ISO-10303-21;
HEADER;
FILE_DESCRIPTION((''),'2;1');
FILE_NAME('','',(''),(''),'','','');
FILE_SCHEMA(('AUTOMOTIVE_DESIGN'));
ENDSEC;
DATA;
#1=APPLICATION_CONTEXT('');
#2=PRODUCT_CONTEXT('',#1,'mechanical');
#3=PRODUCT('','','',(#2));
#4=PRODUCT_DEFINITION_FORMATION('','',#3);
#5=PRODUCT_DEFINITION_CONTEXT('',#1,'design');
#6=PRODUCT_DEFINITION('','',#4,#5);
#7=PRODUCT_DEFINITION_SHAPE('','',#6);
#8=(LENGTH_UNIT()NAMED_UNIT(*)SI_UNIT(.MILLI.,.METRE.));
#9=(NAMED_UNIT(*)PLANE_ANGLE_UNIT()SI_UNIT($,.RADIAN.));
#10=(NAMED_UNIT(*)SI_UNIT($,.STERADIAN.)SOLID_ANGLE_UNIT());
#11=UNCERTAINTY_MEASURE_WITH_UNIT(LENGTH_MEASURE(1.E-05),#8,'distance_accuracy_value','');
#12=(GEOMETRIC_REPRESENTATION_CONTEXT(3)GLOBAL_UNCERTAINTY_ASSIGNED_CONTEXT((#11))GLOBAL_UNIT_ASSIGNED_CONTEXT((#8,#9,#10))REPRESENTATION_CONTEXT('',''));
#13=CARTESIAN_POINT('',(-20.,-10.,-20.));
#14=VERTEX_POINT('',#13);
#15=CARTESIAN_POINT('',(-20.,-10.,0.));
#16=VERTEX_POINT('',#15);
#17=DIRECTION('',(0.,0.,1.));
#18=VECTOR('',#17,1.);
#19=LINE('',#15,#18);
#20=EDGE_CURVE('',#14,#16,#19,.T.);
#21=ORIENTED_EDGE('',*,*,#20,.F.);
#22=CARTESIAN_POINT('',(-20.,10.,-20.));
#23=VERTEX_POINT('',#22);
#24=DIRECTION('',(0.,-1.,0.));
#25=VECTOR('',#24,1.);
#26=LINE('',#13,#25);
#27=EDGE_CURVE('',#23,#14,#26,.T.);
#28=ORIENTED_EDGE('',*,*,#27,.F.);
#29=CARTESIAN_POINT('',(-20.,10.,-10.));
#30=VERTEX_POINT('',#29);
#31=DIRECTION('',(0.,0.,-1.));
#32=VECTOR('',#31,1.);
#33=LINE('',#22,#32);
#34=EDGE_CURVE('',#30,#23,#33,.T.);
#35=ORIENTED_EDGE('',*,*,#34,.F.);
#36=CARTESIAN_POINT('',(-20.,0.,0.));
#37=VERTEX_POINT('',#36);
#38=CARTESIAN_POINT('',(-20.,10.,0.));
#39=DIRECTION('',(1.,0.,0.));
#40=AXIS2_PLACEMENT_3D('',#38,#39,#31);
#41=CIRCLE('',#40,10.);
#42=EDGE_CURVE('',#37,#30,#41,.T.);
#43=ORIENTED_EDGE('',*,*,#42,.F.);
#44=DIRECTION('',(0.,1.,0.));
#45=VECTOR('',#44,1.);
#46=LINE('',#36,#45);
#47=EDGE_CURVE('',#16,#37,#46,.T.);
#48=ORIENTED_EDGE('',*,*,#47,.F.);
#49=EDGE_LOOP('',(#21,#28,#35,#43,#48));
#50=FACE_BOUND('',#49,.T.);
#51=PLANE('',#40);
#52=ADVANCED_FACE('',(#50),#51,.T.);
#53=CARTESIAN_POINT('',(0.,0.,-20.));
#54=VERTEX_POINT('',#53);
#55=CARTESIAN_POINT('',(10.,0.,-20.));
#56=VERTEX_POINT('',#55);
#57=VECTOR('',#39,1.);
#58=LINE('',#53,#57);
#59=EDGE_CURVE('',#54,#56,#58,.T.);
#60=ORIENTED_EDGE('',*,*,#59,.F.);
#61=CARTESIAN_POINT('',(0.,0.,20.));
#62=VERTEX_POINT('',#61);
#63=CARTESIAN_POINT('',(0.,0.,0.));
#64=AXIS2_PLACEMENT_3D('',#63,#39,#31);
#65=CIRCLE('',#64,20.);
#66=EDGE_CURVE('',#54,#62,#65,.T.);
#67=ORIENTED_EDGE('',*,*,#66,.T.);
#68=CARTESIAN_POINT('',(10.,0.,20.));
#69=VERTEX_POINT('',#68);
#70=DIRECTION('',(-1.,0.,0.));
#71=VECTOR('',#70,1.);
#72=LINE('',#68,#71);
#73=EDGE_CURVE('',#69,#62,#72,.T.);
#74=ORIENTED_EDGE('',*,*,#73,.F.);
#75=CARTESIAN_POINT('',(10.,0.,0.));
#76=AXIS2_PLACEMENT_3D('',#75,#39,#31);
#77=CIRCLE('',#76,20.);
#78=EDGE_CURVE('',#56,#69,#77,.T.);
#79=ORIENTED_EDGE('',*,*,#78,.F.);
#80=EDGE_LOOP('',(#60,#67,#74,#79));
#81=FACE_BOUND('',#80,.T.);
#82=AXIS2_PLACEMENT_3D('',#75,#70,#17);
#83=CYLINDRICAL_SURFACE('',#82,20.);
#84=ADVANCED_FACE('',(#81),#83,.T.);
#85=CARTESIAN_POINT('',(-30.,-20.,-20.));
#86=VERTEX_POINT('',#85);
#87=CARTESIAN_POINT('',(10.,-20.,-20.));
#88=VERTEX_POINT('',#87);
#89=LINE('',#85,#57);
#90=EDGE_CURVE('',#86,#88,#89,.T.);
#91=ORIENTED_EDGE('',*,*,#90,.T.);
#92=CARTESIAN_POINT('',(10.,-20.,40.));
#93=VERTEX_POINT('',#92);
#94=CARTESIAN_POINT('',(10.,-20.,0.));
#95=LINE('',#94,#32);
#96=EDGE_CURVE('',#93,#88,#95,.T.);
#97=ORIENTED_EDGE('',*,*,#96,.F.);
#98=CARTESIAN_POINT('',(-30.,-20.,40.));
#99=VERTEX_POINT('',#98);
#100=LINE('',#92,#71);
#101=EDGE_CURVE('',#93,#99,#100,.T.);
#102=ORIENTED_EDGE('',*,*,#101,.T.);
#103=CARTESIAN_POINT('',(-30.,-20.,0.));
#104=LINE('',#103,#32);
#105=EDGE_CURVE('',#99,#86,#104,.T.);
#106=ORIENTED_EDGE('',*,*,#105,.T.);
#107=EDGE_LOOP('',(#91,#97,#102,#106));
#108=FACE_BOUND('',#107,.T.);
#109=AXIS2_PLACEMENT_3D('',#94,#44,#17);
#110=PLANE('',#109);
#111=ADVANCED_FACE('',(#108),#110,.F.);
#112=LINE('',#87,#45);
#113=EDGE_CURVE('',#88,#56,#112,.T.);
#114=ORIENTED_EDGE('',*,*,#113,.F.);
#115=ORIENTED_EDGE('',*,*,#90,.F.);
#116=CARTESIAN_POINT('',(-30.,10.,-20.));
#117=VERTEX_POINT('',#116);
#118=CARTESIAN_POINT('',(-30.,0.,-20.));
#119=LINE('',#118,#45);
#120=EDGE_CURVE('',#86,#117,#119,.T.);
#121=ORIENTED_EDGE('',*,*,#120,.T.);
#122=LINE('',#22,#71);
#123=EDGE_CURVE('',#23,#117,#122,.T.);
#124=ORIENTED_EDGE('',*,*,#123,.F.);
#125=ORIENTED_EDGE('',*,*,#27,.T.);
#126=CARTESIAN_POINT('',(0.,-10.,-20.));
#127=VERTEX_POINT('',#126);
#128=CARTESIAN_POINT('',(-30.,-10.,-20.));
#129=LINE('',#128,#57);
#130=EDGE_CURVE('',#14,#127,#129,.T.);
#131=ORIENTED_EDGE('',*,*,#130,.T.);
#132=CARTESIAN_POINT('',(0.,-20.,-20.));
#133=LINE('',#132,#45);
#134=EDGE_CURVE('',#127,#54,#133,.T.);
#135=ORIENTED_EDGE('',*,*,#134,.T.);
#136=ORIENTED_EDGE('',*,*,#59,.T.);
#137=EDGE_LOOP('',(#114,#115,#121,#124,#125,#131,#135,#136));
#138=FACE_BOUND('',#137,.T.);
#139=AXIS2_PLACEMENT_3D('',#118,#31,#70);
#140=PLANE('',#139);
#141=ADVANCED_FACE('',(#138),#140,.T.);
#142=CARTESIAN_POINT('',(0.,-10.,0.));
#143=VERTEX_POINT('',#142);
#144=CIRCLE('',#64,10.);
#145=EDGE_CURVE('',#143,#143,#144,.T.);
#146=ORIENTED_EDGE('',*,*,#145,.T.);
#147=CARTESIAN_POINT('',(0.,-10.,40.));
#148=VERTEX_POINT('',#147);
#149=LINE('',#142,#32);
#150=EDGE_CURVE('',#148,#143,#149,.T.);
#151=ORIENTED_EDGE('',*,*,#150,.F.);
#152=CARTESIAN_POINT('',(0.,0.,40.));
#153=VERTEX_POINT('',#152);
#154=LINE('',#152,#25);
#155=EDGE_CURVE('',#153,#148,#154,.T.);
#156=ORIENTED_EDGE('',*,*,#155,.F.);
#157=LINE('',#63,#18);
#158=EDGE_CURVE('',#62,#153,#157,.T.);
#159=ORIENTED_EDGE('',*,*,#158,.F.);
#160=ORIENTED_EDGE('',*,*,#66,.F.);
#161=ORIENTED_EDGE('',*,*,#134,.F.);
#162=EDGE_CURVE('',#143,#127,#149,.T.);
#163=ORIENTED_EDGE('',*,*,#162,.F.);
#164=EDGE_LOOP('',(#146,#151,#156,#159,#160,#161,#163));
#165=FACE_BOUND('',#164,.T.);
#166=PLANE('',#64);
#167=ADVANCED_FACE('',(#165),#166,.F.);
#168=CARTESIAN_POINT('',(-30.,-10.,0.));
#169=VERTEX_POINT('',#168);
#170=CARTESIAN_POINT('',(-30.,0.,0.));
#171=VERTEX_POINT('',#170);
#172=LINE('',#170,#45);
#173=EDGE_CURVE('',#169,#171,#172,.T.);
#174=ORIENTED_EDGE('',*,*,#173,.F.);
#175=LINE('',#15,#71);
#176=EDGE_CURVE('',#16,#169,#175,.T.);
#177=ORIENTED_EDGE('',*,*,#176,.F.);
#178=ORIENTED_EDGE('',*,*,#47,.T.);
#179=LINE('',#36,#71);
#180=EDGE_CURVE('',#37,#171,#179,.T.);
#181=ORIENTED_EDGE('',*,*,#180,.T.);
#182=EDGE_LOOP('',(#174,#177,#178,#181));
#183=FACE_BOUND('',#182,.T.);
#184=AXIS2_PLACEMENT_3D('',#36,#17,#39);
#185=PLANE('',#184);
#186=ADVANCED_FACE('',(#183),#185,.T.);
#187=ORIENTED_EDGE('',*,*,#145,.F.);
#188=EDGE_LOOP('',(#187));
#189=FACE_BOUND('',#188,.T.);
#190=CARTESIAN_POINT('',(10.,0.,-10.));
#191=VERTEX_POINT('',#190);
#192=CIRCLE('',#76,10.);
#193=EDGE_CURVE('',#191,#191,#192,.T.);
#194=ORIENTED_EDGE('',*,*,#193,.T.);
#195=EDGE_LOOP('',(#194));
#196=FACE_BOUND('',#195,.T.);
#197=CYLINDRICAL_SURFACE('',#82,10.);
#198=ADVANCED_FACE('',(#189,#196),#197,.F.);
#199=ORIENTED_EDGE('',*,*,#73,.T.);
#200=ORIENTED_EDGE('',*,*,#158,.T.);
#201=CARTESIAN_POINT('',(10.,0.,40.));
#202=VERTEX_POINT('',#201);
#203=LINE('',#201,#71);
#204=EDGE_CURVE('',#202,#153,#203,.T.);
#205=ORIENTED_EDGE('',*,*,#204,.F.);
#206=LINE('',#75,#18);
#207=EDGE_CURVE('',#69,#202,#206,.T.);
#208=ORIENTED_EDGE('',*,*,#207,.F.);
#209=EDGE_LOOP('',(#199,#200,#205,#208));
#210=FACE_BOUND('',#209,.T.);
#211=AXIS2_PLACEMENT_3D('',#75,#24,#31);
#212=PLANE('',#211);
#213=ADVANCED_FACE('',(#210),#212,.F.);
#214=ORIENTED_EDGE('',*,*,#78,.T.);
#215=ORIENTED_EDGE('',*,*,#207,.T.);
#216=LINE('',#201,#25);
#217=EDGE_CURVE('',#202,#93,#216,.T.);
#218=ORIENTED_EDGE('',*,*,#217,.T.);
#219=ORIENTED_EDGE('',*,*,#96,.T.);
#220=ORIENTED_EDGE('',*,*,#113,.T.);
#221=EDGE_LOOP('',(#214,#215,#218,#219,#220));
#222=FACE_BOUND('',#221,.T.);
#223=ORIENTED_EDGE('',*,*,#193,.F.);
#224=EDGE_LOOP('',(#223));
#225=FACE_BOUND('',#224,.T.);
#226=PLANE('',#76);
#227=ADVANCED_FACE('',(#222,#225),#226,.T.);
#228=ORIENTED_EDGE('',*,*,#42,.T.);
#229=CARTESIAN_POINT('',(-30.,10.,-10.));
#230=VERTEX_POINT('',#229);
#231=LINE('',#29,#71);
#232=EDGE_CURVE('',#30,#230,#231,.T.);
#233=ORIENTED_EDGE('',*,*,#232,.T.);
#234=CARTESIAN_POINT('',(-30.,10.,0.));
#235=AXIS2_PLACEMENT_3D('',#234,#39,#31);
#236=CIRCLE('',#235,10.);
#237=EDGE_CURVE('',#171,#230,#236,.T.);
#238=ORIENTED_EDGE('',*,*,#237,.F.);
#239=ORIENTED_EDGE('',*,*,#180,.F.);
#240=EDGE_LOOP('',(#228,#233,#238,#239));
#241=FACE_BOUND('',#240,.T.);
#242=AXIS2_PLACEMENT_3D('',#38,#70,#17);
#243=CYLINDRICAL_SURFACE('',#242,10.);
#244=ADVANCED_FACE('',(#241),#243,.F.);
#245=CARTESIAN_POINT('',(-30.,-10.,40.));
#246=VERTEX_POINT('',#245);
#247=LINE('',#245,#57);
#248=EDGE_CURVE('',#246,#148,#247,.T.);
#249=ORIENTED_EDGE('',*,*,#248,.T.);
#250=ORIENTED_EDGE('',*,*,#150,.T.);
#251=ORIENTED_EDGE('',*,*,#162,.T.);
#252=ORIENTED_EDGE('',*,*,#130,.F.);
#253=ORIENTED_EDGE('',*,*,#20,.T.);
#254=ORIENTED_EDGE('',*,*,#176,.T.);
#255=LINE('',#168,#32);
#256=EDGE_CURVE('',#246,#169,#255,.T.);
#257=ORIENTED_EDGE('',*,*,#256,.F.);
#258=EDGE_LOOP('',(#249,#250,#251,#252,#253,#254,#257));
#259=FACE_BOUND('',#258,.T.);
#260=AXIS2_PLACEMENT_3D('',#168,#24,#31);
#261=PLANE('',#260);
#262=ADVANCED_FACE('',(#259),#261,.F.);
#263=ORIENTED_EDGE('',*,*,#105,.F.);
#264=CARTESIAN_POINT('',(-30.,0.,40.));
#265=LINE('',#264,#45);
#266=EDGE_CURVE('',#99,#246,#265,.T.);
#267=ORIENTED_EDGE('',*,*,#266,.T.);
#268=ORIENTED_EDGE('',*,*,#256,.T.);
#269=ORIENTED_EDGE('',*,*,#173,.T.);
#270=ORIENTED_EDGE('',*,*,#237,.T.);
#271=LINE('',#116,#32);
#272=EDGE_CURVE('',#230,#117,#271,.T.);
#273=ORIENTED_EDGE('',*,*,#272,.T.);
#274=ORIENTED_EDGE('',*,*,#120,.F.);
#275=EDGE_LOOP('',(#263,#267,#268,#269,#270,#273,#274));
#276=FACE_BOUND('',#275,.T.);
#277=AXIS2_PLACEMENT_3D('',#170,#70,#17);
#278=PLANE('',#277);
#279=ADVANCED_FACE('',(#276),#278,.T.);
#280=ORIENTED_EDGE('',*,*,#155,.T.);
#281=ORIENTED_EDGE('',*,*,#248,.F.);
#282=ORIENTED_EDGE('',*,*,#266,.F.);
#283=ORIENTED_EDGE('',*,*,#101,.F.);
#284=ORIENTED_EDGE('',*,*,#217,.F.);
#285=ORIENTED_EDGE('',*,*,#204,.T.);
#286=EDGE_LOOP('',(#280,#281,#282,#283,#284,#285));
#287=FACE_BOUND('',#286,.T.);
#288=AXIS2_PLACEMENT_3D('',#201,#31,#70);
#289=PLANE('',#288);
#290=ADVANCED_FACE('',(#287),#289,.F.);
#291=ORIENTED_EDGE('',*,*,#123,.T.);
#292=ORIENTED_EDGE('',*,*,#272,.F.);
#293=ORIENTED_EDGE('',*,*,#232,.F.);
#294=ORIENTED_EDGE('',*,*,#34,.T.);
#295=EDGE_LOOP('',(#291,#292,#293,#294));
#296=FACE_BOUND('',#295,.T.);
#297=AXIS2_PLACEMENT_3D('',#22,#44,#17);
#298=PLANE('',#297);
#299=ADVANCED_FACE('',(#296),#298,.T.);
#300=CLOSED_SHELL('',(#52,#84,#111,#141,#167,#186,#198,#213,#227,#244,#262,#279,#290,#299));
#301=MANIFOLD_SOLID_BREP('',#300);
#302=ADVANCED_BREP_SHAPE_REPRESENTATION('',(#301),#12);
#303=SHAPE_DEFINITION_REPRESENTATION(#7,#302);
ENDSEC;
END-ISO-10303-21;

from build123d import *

# Parameters (mm, degrees)
CROQUIS1_R              = 10
SALIENTE_EXTRUIR1_DEPTH = 10
SALIENTE_EXTRUIR2_DEPTH = 30
SALIENTE_EXTRUIR3_DEPTH = 10
SALIENTE_EXTRUIR4_DEPTH = 10


with BuildPart() as part:
    # Croquis1 → Saliente-Extruir1 (new body)
    with BuildSketch(Plane(origin=(0, 0, 0), x_dir=(0, 0, -1), z_dir=(1, 0, 0))):
        with BuildLine():
            Line((-40, -20), (0, -20))
            ThreePointArc((0, -20), (14.142135624, 14.142135624), (-20, 0))
            Line((-20, 0), (-40, 0))
            Line((-40, 0), (-40, -20))
        make_face()
        Circle(CROQUIS1_R, mode=Mode.SUBTRACT)
    extrude(amount=SALIENTE_EXTRUIR1_DEPTH)

    # Croquis2 → Saliente-Extruir2 (add)
    with BuildSketch(Plane.ZY):
        with BuildLine():
            Line((-17.320508076, -10), (-20, -10))
            Line((-20, -10), (-20, -20))
            Line((-20, -20), (0, -20))
            ThreePointArc((0, -20), (-10, -17.320508076), (-17.320508076, -10))
        make_face()
        with BuildLine():
            Line((40, -10), (-17.320508076, -10))
            ThreePointArc((-17.320508076, -10), (-10, -17.320508076), (0, -20))
            Line((0, -20), (40, -20))
            Line((40, -20), (40, -10))
        make_face()
    extrude(amount=SALIENTE_EXTRUIR2_DEPTH)

    # Croquis3 → Saliente-Extruir3 (add)
    with BuildSketch(Plane(origin=(10, 0, 0), x_dir=(0, 0, -1), z_dir=(1, 0, 0))):
        Polygon((0, -20), (20, -20), (20, 0), align=None)
    extrude(amount=-SALIENTE_EXTRUIR3_DEPTH)

    # Croquis4 → Saliente-Extruir4 (add)
    with BuildSketch(Plane.ZY.offset(30)):
        with BuildLine():
            Line((-20, -10), (-20, 10))
            Line((-20, 10), (-10, 10))
            ThreePointArc((-10, 10), (-7.071067812, 2.928932188), (0, 0))
            Line((0, 0), (0, -10))
            Line((0, -10), (-20, -10))
        make_face()
    extrude(amount=-SALIENTE_EXTRUIR4_DEPTH)


solid = part.part
